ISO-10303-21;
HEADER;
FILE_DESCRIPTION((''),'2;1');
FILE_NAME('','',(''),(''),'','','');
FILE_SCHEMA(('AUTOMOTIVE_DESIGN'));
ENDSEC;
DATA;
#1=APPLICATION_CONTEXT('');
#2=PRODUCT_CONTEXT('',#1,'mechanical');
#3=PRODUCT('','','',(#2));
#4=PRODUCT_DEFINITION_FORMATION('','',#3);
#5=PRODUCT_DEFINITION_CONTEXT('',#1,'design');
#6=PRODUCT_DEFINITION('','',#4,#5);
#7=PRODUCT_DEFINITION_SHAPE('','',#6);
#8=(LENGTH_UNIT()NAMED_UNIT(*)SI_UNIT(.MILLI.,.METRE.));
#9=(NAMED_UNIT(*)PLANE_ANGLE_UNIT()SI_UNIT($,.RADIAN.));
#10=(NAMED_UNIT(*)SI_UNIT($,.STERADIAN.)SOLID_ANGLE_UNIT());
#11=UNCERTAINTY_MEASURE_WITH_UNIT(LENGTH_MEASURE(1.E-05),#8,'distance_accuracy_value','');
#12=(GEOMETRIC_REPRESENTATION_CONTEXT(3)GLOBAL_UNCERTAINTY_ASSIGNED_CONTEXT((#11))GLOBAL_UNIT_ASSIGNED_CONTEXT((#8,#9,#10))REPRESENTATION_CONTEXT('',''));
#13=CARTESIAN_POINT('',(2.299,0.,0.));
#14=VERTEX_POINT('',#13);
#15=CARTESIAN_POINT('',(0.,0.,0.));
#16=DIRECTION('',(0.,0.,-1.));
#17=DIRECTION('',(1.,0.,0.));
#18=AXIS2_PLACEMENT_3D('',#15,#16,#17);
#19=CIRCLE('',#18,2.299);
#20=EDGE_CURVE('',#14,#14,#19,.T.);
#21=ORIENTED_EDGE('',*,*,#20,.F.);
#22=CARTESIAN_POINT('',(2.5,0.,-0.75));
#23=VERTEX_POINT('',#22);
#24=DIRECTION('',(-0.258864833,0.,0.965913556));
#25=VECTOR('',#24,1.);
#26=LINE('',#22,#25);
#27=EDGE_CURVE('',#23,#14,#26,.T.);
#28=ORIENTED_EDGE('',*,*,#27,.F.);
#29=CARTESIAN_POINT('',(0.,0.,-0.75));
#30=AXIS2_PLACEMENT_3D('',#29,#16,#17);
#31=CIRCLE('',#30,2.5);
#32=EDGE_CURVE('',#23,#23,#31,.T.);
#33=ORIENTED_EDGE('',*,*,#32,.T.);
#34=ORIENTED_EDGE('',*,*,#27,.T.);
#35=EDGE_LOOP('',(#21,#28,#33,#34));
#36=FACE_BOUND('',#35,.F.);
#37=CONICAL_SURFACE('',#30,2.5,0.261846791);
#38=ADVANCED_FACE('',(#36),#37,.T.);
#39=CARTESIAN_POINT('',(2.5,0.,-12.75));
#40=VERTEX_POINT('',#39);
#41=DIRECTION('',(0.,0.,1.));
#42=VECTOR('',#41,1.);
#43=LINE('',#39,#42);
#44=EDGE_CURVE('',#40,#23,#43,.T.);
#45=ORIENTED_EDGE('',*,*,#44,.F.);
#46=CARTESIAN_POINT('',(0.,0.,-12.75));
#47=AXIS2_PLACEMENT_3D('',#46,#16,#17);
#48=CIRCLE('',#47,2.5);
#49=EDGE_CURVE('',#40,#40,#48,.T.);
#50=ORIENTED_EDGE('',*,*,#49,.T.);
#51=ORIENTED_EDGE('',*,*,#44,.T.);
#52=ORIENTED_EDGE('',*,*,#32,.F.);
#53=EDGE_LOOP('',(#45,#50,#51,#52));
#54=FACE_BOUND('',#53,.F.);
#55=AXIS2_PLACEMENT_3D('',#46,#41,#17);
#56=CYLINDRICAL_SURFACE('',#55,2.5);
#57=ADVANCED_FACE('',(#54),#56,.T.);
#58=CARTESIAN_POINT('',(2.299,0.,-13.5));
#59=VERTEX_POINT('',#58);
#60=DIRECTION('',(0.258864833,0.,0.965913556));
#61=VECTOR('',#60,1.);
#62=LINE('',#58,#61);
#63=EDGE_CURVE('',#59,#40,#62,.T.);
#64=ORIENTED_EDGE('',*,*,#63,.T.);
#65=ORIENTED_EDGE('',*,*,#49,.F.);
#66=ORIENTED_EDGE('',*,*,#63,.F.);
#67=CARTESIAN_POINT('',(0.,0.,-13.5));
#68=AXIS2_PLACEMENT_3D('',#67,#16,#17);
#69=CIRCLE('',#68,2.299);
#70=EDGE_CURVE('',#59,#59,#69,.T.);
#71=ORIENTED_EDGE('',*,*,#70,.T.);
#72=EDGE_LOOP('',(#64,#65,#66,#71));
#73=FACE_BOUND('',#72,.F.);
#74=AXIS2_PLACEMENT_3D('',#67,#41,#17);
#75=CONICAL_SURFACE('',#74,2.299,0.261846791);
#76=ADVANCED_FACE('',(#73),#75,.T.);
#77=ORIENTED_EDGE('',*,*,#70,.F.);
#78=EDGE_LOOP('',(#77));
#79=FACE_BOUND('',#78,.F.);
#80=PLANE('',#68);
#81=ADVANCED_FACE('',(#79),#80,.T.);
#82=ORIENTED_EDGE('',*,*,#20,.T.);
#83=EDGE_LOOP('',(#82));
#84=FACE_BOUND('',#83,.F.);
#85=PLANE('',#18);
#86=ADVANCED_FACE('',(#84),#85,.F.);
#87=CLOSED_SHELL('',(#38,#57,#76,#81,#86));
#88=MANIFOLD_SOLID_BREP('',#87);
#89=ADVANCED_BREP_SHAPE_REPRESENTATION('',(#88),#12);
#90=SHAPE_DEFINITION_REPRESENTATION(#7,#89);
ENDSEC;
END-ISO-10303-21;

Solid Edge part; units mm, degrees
sketch "Sketch1" plane through (0, 0, 0) normal (0, -1, 0) x (1, 0, 0)
  line L0 (0, -13.5) -> (2.299, -13.5)
  line L1 (2.299, -13.5) -> (2.5, -12.75)
  line L2 (2.5, -12.75) -> (2.5, -0.75)
  line L3 (2.5, -0.75) -> (2.299, 0)
  line L4 (2.299, 0) -> (0, 0)
  dimension "D1" = 2.5
  dimension "D2" = 12
  dimension "D3" = 0.75
revolve "RevolvedProtrusion_1" add sketch "Sketch1" angle 360 about axis through (0, 0, 0) along (0, 0, -1)
properties material "Stahl"
